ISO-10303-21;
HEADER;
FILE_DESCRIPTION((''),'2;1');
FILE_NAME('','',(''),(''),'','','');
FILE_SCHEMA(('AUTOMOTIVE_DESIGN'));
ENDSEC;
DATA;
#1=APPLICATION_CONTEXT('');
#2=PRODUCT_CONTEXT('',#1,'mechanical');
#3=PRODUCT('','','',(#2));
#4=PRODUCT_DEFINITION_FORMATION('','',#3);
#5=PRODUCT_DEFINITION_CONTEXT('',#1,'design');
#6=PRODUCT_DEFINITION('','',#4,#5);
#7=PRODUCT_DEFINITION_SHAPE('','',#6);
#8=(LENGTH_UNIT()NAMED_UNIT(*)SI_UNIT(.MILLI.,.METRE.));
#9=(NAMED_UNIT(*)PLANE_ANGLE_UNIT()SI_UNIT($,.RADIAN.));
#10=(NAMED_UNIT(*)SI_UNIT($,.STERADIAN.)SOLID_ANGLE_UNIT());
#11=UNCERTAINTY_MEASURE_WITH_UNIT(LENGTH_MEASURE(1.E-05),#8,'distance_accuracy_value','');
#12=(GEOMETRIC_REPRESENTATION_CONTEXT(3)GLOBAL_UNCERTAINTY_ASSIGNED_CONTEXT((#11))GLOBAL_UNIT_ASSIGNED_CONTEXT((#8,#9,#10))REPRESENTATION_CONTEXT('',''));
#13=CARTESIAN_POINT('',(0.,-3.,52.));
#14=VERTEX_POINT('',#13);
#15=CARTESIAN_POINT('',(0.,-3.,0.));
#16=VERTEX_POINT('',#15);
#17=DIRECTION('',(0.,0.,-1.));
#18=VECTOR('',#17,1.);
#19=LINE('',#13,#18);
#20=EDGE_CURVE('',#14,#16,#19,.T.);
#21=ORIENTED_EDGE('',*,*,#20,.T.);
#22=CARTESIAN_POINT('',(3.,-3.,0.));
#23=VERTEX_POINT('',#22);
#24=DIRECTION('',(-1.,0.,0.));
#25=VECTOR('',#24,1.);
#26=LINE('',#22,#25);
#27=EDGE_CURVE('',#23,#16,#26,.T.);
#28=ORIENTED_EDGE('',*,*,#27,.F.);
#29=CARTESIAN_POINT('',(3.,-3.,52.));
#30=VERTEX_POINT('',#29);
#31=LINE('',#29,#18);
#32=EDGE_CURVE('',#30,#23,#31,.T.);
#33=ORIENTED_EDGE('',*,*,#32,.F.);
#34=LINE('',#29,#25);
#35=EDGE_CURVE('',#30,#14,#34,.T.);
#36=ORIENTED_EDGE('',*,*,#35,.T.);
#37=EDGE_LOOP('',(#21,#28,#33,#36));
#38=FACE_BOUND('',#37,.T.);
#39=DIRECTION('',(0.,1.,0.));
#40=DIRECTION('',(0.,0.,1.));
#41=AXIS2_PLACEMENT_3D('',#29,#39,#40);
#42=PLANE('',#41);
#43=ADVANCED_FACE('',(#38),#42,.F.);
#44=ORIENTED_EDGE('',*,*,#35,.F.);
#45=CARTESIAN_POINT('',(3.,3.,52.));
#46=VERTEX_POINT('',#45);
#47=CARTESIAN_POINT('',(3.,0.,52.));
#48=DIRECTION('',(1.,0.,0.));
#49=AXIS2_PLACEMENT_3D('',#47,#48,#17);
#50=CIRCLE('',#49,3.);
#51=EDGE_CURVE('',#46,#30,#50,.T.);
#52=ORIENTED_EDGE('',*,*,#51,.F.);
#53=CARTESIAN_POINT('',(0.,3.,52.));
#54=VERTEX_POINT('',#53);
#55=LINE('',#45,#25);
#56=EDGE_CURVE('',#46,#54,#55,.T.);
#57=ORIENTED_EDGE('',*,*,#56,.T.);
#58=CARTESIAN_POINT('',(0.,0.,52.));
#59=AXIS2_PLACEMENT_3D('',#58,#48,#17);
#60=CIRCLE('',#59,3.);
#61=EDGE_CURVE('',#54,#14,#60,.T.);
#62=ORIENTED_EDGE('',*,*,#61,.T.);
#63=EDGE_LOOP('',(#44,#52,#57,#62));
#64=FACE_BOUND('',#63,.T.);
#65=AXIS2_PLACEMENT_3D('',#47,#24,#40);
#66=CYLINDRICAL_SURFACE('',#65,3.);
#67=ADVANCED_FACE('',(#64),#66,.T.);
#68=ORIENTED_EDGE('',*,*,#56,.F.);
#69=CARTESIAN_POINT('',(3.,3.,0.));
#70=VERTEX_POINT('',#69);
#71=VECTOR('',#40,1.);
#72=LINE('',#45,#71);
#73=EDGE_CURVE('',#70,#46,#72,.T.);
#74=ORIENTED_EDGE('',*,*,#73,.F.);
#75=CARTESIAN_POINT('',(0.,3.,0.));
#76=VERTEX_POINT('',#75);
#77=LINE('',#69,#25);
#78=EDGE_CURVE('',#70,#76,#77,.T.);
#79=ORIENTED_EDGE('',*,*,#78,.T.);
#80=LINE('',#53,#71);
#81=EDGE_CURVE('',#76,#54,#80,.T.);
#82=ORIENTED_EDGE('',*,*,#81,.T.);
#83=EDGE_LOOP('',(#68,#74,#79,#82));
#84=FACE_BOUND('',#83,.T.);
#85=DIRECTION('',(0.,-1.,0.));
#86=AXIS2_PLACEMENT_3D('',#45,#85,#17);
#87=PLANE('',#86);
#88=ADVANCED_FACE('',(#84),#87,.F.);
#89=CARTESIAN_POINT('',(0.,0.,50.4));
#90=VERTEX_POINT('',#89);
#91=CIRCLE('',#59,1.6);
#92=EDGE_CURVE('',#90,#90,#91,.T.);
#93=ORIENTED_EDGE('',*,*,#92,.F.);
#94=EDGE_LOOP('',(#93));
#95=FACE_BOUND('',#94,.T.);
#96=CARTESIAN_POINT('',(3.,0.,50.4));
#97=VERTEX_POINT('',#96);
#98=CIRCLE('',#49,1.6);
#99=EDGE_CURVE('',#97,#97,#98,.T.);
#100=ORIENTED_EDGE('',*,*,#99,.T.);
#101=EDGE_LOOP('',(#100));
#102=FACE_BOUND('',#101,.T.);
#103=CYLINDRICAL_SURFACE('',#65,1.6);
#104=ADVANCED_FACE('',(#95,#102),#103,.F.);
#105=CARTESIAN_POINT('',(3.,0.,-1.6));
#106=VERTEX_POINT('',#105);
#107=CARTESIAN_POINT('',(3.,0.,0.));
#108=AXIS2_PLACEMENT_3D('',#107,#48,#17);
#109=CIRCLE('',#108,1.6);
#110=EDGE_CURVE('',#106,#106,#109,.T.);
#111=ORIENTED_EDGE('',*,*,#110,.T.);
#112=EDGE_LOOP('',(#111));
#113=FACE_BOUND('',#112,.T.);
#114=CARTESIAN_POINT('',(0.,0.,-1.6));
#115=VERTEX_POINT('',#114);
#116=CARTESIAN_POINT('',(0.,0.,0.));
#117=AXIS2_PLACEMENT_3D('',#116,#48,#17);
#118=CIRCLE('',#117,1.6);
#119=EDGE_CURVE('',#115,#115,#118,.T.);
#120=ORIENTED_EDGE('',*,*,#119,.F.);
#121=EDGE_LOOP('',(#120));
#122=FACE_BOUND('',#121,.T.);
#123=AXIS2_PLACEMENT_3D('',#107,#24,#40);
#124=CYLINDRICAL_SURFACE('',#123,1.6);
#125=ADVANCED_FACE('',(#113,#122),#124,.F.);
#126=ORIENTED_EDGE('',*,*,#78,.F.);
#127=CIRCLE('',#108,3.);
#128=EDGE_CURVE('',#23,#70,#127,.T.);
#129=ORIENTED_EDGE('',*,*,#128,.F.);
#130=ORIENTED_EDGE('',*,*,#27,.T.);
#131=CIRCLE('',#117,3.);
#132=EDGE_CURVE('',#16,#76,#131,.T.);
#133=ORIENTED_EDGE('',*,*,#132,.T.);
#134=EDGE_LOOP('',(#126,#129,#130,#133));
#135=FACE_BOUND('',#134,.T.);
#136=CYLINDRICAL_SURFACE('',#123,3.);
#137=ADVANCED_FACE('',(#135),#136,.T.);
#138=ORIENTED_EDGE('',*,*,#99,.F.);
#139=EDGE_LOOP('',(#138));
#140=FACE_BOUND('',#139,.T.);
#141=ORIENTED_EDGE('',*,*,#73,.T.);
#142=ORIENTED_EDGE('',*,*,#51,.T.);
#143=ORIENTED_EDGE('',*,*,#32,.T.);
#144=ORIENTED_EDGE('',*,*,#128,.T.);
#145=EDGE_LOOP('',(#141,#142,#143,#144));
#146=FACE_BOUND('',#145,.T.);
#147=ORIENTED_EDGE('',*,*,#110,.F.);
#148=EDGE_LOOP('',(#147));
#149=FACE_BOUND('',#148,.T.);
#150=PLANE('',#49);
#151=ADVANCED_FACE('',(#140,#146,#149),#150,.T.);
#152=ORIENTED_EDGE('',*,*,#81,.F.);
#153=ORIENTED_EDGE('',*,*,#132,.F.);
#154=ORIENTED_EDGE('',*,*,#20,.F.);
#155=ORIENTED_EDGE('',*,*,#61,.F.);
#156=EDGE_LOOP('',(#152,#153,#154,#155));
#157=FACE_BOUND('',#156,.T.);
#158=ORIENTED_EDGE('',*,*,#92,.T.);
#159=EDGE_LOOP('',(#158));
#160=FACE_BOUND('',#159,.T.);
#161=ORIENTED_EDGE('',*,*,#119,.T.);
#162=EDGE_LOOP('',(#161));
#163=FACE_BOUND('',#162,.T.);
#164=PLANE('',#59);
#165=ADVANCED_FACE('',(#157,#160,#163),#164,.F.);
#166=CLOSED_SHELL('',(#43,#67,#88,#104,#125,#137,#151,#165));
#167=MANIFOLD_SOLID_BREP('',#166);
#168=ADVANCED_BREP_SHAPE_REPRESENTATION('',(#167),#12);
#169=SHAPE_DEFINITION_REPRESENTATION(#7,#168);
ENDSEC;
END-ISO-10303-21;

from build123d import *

# Parameters (mm, degrees)
SKETCH1_R           = 1.6
BOSS_EXTRUDE1_DEPTH = 3


with BuildPart() as part:
    # Sketch1 → Boss-Extrude1 (new body)
    with BuildSketch(Plane.YZ):
        with BuildLine():
            Line((-3, 52), (-3, 0))
            ThreePointArc((-3, 0), (0, -3), (3, 0))
            Line((3, 0), (3, 52))
            ThreePointArc((3, 52), (0, 55), (-3, 52))
        make_face()
        with Locations(Location((0, 52, 0), (0, 0, 270))):
            Circle(SKETCH1_R, mode=Mode.SUBTRACT)
        with Locations(Location((0, 0, 0), (0, 0, 270))):
            Circle(SKETCH1_R, mode=Mode.SUBTRACT)
    extrude(amount=BOSS_EXTRUDE1_DEPTH)


solid = part.part
